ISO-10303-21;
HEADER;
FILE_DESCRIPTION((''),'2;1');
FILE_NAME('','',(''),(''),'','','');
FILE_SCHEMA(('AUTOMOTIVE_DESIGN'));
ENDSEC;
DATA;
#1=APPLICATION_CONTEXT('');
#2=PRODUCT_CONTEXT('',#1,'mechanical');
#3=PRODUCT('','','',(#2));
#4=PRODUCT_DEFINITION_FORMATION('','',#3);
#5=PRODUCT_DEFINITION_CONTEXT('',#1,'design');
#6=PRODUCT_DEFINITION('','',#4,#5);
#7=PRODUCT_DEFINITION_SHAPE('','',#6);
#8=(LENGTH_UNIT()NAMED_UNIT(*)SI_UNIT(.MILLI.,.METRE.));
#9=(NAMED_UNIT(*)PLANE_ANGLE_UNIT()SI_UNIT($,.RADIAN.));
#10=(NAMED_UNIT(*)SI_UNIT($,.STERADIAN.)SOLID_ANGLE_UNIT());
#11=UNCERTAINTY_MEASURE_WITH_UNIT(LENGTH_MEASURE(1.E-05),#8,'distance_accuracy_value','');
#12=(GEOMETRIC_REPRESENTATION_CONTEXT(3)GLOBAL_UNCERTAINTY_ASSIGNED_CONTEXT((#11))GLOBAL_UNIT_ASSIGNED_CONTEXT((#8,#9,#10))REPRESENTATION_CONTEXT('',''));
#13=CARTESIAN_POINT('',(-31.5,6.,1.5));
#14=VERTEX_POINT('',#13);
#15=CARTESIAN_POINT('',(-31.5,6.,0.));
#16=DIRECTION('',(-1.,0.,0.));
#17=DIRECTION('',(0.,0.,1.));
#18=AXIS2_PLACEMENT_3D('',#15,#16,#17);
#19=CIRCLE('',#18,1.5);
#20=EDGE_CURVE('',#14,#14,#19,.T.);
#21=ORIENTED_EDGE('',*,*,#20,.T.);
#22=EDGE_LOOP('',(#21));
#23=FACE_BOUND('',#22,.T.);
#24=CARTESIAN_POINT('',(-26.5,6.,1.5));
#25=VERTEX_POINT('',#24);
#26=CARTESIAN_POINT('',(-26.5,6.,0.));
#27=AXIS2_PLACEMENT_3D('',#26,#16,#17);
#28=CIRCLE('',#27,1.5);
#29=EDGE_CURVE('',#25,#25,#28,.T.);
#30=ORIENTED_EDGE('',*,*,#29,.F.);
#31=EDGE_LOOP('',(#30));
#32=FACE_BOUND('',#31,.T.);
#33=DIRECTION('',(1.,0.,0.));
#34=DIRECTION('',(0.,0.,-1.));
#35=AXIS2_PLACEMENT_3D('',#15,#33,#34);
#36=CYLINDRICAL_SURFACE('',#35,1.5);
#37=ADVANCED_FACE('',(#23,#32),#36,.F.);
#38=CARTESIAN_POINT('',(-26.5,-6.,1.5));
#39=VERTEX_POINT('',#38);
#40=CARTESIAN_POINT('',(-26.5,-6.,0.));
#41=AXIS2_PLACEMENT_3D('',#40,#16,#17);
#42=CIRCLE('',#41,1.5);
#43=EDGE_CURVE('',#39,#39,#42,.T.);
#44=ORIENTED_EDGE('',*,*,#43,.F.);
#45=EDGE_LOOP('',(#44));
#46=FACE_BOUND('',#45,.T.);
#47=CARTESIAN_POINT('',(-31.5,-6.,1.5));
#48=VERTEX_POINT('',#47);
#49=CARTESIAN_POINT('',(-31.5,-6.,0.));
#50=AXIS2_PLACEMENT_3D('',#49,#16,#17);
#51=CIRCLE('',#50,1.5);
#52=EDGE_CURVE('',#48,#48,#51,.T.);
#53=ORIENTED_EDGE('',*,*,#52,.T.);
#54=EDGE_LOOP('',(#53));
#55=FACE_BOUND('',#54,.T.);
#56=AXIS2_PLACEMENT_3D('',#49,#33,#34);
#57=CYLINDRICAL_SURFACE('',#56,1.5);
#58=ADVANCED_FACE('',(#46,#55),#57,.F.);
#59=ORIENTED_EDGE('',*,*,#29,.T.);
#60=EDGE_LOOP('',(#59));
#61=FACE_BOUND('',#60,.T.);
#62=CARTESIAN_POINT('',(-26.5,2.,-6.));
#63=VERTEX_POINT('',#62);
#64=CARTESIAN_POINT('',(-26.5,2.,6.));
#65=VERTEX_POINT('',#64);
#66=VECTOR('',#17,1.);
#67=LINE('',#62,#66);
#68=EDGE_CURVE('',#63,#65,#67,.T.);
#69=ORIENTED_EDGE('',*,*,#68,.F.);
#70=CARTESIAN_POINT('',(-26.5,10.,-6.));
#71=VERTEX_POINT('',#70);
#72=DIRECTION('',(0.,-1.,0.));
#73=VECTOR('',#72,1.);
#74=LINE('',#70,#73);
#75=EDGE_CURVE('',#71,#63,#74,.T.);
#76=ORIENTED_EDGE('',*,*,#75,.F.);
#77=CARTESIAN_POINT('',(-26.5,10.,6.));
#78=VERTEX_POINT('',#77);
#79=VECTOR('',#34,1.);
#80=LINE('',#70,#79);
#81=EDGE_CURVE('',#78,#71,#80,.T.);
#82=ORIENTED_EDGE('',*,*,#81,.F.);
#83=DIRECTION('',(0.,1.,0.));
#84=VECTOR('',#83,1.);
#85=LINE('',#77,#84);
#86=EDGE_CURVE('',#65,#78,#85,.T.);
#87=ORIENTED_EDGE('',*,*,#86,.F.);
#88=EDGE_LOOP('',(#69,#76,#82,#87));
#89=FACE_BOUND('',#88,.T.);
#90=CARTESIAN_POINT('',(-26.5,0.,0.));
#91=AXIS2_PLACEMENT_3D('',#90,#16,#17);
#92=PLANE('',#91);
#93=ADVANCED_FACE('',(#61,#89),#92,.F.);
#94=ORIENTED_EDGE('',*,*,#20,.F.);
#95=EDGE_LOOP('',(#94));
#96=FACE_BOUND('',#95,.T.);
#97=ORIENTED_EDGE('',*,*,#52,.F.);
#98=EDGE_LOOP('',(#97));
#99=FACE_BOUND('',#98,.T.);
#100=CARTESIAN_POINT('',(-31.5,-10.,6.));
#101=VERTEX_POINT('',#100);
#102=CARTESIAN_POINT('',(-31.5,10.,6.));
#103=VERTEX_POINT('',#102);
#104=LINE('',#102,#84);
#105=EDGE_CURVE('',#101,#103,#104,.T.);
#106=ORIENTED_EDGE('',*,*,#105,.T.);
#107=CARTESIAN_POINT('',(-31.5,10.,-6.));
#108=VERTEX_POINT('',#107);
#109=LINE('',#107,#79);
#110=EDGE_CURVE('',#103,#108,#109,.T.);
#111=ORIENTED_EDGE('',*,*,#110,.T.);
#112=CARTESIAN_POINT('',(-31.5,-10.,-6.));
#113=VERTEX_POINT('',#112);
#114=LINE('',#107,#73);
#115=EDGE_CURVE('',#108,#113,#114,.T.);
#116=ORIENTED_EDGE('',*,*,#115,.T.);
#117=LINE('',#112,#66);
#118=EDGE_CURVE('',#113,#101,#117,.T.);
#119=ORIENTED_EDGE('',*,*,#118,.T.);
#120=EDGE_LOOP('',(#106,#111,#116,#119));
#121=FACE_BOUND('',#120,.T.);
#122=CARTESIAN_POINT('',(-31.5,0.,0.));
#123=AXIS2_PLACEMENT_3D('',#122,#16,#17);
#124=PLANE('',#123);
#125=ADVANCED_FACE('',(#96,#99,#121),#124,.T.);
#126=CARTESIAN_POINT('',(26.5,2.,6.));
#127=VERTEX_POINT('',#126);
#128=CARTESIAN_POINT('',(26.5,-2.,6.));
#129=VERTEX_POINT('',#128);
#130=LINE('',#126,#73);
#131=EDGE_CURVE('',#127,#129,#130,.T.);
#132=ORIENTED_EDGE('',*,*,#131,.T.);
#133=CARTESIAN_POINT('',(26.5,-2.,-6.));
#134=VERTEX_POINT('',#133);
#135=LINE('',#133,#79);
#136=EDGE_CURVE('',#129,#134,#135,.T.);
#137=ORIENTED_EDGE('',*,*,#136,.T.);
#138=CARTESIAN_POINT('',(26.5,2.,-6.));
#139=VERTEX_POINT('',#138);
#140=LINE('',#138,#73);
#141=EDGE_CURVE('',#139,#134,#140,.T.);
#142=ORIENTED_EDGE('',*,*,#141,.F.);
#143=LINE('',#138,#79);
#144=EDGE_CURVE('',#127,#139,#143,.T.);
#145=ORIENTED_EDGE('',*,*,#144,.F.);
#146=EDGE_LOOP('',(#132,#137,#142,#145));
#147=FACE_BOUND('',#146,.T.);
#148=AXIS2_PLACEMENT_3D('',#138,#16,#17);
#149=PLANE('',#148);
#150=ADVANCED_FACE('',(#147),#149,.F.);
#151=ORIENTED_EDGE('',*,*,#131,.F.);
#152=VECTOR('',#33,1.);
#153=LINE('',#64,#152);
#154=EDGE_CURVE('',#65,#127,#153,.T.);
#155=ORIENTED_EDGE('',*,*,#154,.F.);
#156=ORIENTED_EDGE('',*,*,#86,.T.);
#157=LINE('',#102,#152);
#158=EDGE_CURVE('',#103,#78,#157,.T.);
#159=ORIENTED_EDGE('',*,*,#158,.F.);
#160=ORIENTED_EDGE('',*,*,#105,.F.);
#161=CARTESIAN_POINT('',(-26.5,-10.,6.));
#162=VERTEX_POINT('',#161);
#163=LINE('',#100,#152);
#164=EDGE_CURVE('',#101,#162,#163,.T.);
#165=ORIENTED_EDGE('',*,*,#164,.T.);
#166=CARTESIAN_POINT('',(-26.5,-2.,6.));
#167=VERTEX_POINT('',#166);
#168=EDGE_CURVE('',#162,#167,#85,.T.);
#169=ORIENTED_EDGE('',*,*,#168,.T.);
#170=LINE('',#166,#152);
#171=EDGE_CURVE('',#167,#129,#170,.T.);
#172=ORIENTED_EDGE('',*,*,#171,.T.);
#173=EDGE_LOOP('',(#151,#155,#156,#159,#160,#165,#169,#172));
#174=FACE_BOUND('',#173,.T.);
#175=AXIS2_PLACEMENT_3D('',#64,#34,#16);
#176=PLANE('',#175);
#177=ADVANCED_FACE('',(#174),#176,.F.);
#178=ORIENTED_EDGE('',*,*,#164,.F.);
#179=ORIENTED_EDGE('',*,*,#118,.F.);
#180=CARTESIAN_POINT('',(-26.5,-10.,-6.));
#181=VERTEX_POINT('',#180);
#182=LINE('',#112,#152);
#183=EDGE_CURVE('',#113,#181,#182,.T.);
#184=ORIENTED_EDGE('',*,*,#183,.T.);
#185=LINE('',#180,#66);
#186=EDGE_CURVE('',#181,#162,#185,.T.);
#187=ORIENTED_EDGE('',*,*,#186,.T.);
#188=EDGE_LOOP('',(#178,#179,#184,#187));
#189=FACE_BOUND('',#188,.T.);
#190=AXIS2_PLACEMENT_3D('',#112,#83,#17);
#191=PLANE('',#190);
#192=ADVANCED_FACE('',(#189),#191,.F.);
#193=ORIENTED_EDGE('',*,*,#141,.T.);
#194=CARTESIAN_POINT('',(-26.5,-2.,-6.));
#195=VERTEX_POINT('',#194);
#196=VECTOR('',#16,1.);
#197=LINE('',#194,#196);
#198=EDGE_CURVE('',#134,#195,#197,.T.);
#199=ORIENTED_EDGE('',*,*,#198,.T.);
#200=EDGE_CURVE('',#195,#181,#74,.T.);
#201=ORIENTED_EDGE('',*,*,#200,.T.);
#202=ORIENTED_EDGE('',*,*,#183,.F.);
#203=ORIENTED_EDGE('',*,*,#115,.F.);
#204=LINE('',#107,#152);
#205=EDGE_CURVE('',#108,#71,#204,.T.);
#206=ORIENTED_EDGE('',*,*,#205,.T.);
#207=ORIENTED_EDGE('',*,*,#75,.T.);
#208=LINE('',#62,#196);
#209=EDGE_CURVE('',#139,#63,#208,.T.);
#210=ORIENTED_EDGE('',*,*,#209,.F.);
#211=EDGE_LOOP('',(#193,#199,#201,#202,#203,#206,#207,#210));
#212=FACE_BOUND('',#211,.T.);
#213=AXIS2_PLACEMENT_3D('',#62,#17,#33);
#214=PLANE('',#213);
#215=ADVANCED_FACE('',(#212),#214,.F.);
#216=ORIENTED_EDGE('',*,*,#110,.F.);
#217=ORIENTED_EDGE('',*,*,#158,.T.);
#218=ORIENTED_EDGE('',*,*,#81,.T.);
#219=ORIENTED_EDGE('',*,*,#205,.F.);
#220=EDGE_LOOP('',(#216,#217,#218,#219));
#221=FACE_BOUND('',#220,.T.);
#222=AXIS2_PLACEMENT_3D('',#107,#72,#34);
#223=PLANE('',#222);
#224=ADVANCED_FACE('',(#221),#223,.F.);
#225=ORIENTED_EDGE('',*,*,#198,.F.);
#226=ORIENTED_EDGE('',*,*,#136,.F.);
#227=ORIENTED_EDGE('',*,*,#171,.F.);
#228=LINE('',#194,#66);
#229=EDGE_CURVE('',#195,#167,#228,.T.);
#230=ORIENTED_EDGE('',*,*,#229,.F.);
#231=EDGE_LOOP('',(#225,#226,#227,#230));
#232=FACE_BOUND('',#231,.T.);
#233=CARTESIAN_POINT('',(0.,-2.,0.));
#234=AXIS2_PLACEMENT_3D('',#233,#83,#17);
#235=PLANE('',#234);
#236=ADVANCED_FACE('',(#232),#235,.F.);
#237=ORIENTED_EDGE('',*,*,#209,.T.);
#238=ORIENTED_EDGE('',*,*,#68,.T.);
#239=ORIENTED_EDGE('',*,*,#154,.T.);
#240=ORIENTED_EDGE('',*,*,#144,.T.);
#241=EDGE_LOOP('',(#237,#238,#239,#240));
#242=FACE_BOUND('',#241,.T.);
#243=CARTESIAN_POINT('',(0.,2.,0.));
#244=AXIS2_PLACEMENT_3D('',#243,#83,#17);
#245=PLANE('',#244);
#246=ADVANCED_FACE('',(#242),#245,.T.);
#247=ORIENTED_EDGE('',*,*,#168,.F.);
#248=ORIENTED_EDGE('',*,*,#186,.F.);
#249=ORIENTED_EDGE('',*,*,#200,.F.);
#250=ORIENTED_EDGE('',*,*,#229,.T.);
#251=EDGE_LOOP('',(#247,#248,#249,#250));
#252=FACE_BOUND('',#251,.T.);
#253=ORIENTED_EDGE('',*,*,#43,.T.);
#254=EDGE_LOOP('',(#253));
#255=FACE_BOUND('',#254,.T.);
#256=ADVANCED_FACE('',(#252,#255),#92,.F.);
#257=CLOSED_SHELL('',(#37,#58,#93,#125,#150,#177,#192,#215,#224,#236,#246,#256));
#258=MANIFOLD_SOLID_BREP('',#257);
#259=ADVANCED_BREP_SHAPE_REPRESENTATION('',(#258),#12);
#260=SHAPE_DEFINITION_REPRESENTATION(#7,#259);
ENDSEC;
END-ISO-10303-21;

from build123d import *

# Parameters (mm, degrees)
SKETCH_1_W      = 53
SKETCH_1_H      = 12
EXTRUDE_1_DEPTH = 2
SKETCH_2_W      = 12
SKETCH_2_H      = 20
SKETCH_2_R      = 1.5
EXTRUDE_2_DEPTH = 5


with BuildPart() as part:
    # 草图1 → 凸台-拉伸1 (new, symmetric)
    with BuildSketch(Plane(origin=(0, 0, 0), x_dir=(1, 0, 0), z_dir=(0, 1, 0))):
        Rectangle(SKETCH_1_W, SKETCH_1_H)
    extrude(amount=EXTRUDE_1_DEPTH, both=True)

    # 草图2 → 凸台-拉伸2 (add)
    with BuildSketch(Plane.ZY.offset(26.5)):
        Rectangle(SKETCH_2_W, SKETCH_2_H)
        with Locations((0, 6)):
            Circle(SKETCH_2_R, mode=Mode.SUBTRACT)
        with Locations((0, -6)):
            Circle(SKETCH_2_R, mode=Mode.SUBTRACT)
    extrude(amount=EXTRUDE_2_DEPTH)


solid = part.part
